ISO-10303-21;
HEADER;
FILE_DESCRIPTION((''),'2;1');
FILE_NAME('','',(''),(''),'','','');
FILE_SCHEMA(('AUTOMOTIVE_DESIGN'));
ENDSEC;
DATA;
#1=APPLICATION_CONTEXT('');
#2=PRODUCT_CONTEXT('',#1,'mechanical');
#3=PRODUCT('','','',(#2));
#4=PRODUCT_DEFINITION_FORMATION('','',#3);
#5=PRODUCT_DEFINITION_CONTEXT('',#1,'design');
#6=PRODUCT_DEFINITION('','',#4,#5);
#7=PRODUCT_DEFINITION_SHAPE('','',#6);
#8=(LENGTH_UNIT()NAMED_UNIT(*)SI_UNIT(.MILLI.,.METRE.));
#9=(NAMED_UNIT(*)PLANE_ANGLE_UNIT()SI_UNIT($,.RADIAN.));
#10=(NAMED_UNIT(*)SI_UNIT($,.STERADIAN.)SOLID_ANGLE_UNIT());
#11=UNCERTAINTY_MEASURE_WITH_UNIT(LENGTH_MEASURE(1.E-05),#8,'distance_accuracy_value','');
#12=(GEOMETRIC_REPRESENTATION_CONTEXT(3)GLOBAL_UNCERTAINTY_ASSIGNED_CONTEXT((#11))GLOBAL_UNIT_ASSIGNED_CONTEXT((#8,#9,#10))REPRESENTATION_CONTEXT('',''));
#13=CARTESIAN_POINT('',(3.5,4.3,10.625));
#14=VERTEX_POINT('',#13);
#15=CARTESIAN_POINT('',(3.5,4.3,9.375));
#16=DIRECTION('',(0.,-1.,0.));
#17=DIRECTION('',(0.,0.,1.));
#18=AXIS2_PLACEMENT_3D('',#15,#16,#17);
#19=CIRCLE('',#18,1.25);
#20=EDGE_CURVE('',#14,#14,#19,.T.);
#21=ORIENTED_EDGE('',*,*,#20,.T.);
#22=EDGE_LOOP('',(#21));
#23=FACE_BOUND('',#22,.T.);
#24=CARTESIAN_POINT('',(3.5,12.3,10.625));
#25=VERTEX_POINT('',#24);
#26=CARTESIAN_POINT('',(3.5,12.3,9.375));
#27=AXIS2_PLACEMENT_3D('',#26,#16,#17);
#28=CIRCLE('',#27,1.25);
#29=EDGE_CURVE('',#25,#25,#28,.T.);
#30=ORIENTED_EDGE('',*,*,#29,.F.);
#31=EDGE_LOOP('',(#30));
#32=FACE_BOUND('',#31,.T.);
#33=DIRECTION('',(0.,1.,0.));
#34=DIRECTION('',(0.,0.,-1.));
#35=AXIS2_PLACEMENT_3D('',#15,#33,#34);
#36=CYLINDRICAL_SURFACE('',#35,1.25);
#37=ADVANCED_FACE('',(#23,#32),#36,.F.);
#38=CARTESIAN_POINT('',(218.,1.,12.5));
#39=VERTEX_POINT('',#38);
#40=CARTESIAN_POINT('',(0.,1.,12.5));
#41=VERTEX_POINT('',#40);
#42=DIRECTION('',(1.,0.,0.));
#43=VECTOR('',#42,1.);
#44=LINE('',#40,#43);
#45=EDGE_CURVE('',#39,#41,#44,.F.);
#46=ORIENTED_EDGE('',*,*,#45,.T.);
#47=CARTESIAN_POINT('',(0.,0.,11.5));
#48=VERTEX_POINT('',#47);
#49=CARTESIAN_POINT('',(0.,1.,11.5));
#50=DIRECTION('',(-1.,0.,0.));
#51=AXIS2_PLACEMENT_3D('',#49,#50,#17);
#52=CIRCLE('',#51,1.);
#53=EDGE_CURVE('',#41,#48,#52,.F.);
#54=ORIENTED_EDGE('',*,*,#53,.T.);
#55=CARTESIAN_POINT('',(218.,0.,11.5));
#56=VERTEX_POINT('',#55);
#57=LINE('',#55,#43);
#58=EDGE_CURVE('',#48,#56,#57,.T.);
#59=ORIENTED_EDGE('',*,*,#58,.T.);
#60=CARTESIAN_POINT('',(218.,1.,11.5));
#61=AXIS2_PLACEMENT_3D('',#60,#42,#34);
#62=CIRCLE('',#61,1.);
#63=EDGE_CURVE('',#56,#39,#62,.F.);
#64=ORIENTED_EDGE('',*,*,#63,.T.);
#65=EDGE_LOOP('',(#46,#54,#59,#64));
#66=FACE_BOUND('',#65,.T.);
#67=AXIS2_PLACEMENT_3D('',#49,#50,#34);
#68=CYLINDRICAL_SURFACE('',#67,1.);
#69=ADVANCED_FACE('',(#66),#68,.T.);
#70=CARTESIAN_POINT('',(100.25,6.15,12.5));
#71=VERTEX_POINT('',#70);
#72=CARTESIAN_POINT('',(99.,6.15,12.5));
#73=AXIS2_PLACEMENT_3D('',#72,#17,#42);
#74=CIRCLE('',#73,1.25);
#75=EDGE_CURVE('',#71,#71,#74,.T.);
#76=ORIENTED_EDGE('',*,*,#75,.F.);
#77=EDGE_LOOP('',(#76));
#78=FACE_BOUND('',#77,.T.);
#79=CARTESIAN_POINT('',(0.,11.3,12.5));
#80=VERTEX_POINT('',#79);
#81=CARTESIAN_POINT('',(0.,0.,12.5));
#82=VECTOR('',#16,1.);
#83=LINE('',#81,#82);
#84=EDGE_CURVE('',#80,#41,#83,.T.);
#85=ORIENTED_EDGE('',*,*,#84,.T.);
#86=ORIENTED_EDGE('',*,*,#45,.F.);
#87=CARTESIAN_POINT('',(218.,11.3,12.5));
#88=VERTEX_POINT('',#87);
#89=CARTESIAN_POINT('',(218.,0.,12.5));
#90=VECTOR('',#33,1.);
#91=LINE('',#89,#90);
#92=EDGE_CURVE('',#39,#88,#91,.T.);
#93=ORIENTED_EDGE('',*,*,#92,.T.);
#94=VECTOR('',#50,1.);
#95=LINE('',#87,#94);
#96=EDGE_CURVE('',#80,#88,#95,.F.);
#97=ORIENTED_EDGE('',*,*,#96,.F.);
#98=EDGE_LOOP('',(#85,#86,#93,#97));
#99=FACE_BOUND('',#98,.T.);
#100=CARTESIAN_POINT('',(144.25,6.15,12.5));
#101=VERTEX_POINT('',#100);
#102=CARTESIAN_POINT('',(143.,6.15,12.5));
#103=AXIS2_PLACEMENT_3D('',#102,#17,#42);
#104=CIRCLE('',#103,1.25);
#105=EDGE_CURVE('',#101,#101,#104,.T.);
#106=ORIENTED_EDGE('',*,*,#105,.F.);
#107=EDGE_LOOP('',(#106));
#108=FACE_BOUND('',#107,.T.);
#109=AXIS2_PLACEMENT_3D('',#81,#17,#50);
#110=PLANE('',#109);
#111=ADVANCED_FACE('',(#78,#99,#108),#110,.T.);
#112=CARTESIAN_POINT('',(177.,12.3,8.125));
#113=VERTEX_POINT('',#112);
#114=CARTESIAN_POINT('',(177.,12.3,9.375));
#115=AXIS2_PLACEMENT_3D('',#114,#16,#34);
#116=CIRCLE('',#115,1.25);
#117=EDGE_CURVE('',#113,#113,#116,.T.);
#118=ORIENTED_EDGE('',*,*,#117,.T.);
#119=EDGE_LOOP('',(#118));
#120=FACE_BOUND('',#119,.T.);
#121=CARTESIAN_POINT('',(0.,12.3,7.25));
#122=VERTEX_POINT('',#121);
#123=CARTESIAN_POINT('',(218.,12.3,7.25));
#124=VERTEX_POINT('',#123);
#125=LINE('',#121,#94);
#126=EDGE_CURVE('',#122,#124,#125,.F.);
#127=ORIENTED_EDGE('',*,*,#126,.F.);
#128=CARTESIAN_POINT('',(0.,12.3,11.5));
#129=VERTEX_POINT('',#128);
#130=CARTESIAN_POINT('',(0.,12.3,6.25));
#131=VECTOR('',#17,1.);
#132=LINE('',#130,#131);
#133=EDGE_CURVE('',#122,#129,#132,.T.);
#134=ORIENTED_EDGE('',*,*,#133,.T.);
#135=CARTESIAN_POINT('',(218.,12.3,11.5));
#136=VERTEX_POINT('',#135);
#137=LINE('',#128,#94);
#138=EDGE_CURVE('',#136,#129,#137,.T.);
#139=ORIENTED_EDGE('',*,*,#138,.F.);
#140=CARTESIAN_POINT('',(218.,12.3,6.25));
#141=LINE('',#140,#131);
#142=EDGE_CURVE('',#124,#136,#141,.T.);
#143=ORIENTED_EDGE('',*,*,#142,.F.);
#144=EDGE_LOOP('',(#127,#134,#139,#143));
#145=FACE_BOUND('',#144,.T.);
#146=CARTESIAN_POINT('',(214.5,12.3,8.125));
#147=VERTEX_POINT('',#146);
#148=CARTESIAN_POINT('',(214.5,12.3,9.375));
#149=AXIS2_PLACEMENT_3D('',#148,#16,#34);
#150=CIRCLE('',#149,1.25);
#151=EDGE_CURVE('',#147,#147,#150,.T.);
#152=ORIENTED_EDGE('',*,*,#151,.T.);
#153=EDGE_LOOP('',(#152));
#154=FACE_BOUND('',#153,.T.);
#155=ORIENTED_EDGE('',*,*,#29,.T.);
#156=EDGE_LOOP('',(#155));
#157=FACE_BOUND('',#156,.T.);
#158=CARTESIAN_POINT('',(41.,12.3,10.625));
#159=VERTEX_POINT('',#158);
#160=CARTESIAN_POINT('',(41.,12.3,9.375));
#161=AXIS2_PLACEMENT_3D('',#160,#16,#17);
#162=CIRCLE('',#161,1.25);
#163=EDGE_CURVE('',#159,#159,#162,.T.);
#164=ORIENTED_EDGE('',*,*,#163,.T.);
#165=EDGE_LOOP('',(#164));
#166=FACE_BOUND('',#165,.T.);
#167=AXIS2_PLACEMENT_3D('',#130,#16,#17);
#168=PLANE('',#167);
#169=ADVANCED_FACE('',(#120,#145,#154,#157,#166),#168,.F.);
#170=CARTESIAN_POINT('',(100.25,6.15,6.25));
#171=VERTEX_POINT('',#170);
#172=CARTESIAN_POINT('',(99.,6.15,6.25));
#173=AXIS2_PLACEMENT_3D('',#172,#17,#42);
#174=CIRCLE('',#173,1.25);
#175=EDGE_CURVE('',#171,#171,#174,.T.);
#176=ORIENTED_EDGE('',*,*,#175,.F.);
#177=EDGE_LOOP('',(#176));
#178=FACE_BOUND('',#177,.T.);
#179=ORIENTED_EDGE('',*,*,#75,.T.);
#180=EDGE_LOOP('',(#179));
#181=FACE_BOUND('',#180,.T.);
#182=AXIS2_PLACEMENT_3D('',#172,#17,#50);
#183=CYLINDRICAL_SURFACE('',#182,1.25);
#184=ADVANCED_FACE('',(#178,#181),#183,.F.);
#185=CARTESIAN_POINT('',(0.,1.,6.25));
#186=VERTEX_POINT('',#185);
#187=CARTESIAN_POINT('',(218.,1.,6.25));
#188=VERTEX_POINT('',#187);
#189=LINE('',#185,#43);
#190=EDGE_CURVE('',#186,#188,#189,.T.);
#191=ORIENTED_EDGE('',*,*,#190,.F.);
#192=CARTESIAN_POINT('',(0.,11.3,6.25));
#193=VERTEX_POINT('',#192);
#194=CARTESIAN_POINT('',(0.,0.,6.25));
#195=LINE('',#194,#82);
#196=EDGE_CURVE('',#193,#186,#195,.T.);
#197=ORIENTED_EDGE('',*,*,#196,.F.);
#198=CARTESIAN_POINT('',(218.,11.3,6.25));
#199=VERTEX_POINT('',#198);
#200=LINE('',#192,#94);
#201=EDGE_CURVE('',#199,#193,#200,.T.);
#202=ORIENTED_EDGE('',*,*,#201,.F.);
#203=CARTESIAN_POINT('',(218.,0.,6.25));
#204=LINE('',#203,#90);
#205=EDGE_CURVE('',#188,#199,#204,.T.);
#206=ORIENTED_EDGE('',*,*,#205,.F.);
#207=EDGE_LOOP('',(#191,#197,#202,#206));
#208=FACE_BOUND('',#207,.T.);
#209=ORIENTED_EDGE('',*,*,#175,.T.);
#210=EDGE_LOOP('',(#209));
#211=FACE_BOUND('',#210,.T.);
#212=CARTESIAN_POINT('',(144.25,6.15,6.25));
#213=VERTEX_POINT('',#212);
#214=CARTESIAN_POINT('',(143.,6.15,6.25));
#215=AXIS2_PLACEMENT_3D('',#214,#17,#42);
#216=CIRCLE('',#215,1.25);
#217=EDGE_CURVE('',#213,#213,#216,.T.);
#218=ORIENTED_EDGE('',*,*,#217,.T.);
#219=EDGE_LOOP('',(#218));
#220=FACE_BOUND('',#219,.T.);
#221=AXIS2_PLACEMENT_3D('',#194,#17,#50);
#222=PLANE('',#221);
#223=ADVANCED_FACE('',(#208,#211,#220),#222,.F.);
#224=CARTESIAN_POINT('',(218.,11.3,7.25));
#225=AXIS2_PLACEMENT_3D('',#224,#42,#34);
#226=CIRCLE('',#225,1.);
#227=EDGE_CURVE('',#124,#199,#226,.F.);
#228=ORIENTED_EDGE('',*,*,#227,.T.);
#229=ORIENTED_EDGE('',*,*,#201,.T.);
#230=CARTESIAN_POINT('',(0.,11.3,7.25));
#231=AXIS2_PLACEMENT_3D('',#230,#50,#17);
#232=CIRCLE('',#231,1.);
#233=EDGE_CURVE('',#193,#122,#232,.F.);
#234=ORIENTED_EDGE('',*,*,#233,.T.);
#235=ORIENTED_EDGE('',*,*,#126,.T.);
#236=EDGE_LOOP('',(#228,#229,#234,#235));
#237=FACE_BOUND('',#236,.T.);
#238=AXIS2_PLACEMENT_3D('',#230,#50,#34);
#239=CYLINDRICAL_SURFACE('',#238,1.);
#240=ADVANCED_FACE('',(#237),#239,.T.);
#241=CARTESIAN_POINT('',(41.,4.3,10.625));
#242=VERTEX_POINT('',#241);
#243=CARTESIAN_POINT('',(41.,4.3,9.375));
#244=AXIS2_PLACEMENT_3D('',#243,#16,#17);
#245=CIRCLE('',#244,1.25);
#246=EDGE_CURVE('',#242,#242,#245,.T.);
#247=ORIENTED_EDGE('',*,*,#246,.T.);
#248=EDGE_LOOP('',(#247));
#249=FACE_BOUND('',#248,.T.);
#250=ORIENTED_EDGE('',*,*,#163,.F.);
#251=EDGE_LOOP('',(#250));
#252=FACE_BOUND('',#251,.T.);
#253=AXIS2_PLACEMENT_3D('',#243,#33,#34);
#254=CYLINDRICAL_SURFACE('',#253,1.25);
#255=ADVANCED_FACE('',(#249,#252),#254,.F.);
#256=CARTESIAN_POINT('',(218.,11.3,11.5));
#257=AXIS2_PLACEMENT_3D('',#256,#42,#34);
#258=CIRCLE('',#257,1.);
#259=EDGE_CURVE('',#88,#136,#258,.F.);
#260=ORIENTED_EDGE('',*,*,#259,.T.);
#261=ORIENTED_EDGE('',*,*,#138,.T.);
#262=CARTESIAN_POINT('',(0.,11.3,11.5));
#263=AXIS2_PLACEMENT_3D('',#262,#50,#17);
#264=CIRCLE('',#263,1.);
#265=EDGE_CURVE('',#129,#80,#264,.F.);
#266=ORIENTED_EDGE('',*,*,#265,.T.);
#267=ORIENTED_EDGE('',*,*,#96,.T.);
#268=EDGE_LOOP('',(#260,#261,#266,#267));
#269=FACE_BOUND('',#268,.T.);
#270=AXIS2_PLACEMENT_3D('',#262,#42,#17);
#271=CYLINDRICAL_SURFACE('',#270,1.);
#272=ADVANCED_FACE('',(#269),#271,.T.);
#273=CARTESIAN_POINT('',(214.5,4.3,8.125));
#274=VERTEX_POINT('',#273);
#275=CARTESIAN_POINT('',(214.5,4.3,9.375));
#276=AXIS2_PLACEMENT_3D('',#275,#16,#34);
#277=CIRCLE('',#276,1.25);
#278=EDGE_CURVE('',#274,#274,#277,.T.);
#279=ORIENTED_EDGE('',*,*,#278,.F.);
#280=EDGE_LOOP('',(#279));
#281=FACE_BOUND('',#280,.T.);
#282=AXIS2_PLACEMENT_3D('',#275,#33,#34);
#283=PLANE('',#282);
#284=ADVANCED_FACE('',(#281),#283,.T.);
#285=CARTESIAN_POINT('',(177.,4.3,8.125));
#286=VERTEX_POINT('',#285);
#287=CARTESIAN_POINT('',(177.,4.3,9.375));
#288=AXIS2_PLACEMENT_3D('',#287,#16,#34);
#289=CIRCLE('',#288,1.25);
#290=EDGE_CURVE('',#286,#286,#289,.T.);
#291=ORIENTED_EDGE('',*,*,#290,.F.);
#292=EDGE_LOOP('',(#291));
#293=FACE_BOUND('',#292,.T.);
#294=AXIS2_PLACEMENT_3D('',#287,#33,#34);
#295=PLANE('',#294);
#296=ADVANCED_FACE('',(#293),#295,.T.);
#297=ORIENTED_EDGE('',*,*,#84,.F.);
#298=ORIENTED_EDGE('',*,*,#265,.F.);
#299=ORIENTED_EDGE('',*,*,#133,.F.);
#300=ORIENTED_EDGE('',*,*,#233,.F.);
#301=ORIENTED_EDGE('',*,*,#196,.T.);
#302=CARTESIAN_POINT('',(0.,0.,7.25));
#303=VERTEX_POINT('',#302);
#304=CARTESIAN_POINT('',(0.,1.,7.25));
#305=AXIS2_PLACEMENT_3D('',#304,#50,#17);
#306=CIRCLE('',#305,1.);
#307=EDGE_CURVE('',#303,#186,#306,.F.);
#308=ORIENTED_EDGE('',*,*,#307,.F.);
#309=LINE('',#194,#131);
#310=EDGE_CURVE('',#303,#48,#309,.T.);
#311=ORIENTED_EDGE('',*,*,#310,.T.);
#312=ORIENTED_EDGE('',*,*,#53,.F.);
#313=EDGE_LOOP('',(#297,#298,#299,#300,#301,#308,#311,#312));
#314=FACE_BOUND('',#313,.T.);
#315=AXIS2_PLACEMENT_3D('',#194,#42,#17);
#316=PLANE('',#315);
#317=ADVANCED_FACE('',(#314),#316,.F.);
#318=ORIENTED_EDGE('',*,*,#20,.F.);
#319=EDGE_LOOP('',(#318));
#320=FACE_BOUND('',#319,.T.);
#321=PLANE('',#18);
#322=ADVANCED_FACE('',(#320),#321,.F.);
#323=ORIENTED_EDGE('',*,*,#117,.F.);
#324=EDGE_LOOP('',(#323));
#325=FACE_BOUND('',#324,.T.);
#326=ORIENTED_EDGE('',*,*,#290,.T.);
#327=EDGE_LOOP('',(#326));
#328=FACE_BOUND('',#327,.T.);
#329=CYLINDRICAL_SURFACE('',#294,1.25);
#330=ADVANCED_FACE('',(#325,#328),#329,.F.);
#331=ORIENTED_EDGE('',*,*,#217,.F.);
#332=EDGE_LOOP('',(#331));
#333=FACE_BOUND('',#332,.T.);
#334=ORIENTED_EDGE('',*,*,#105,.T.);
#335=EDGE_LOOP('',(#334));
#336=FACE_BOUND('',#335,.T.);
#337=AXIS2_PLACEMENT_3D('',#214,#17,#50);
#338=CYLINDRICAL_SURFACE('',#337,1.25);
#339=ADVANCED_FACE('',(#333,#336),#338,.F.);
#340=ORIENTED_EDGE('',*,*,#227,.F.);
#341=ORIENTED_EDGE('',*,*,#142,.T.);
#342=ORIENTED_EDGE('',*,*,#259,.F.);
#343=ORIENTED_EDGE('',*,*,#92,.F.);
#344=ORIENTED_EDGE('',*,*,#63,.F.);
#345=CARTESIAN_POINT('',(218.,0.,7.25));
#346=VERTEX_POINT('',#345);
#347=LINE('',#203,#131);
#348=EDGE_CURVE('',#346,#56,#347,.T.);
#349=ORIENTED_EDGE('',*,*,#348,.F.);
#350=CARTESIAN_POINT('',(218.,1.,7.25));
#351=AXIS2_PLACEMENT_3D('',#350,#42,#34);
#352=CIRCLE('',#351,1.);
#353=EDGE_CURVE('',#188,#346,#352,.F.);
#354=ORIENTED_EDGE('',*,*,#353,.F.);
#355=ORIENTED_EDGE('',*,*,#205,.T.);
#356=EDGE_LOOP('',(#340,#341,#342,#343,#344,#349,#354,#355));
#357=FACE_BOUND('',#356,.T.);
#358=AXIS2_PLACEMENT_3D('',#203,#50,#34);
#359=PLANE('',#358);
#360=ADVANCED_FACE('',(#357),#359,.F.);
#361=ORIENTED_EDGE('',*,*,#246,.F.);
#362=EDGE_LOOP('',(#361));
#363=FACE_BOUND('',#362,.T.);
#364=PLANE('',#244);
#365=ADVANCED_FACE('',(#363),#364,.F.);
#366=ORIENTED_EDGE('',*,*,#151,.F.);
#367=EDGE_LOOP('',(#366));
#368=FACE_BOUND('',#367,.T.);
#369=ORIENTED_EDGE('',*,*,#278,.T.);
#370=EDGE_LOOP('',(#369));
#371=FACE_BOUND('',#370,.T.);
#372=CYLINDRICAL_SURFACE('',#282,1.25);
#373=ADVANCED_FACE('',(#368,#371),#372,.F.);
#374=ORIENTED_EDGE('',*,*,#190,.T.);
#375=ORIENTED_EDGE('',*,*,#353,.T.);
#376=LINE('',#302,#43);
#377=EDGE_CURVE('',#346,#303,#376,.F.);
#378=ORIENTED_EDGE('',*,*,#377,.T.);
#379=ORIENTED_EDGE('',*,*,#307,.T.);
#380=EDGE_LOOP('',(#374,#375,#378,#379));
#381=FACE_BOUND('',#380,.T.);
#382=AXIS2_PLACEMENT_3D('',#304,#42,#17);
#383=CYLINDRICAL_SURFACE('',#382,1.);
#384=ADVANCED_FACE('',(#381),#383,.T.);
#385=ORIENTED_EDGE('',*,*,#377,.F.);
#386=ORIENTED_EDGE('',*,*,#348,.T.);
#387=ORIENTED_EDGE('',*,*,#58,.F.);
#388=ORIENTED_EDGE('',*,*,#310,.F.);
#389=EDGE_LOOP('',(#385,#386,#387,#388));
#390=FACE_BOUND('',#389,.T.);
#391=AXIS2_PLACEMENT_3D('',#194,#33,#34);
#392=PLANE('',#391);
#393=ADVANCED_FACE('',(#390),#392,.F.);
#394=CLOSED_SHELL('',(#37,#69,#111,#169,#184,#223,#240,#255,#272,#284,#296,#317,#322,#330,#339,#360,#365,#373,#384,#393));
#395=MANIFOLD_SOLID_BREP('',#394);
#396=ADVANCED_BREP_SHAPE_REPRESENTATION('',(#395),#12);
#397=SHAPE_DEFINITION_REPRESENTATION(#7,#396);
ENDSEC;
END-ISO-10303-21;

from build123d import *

# Parameters (mm, degrees)
SKETCH1_W           = 218
SKETCH1_H           = 12.3
SKETCH1_R           = 1.25
BOSS_EXTRUDE1_DEPTH = 6.25
SKETCH2_R           = 1.25
CUT_EXTRUDE1_DEPTH  = 8
FILLET1_R           = 1


with BuildPart() as part:
    # Sketch1 → Boss-Extrude1 (new body)
    with BuildSketch(Plane.XY):
        with Locations((109, 6.15)):
            Rectangle(SKETCH1_W, SKETCH1_H)
        with Locations((143, 6.15)):
            Circle(SKETCH1_R, mode=Mode.SUBTRACT)
        with Locations((99, 6.15)):
            Circle(SKETCH1_R, mode=Mode.SUBTRACT)
    extrude(amount=BOSS_EXTRUDE1_DEPTH)

    # Sketch2 → Cut-Extrude1 (cut)
    with BuildSketch(Plane(origin=(0, 12.3, 0), x_dir=(1, 0, 0), z_dir=(0, 1, 0))):
        with Locations(Location((214.5, -3.125, 0), (0, 0, 270))):
            Circle(SKETCH2_R)
        with Locations(Location((177, -3.125, 0), (0, 0, 270))):
            Circle(SKETCH2_R)
        with Locations(Location((3.5, -3.125, 0), (0, 0, 90))):
            Circle(SKETCH2_R)
        with Locations(Location((41, -3.125, 0), (0, 0, 90))):
            Circle(SKETCH2_R)
    extrude(amount=-CUT_EXTRUDE1_DEPTH, mode=Mode.SUBTRACT)

    # Fillet1
    fillet1_edges = [part.edges().sort_by_distance(p)[0] for p in [
        (109, 12.3, 6.25),
        (109, 12.3, 0),
        (109, 0, 0),
        (109, 0, 6.25),
    ]]
    fillet(fillet1_edges, radius=FILLET1_R)


with BuildPart() as part_1:
    # Body-Move/Copy1: moved
    add(part.part.moved(Location((0, 5e-08, 6.25))))


solid = part_1.part
